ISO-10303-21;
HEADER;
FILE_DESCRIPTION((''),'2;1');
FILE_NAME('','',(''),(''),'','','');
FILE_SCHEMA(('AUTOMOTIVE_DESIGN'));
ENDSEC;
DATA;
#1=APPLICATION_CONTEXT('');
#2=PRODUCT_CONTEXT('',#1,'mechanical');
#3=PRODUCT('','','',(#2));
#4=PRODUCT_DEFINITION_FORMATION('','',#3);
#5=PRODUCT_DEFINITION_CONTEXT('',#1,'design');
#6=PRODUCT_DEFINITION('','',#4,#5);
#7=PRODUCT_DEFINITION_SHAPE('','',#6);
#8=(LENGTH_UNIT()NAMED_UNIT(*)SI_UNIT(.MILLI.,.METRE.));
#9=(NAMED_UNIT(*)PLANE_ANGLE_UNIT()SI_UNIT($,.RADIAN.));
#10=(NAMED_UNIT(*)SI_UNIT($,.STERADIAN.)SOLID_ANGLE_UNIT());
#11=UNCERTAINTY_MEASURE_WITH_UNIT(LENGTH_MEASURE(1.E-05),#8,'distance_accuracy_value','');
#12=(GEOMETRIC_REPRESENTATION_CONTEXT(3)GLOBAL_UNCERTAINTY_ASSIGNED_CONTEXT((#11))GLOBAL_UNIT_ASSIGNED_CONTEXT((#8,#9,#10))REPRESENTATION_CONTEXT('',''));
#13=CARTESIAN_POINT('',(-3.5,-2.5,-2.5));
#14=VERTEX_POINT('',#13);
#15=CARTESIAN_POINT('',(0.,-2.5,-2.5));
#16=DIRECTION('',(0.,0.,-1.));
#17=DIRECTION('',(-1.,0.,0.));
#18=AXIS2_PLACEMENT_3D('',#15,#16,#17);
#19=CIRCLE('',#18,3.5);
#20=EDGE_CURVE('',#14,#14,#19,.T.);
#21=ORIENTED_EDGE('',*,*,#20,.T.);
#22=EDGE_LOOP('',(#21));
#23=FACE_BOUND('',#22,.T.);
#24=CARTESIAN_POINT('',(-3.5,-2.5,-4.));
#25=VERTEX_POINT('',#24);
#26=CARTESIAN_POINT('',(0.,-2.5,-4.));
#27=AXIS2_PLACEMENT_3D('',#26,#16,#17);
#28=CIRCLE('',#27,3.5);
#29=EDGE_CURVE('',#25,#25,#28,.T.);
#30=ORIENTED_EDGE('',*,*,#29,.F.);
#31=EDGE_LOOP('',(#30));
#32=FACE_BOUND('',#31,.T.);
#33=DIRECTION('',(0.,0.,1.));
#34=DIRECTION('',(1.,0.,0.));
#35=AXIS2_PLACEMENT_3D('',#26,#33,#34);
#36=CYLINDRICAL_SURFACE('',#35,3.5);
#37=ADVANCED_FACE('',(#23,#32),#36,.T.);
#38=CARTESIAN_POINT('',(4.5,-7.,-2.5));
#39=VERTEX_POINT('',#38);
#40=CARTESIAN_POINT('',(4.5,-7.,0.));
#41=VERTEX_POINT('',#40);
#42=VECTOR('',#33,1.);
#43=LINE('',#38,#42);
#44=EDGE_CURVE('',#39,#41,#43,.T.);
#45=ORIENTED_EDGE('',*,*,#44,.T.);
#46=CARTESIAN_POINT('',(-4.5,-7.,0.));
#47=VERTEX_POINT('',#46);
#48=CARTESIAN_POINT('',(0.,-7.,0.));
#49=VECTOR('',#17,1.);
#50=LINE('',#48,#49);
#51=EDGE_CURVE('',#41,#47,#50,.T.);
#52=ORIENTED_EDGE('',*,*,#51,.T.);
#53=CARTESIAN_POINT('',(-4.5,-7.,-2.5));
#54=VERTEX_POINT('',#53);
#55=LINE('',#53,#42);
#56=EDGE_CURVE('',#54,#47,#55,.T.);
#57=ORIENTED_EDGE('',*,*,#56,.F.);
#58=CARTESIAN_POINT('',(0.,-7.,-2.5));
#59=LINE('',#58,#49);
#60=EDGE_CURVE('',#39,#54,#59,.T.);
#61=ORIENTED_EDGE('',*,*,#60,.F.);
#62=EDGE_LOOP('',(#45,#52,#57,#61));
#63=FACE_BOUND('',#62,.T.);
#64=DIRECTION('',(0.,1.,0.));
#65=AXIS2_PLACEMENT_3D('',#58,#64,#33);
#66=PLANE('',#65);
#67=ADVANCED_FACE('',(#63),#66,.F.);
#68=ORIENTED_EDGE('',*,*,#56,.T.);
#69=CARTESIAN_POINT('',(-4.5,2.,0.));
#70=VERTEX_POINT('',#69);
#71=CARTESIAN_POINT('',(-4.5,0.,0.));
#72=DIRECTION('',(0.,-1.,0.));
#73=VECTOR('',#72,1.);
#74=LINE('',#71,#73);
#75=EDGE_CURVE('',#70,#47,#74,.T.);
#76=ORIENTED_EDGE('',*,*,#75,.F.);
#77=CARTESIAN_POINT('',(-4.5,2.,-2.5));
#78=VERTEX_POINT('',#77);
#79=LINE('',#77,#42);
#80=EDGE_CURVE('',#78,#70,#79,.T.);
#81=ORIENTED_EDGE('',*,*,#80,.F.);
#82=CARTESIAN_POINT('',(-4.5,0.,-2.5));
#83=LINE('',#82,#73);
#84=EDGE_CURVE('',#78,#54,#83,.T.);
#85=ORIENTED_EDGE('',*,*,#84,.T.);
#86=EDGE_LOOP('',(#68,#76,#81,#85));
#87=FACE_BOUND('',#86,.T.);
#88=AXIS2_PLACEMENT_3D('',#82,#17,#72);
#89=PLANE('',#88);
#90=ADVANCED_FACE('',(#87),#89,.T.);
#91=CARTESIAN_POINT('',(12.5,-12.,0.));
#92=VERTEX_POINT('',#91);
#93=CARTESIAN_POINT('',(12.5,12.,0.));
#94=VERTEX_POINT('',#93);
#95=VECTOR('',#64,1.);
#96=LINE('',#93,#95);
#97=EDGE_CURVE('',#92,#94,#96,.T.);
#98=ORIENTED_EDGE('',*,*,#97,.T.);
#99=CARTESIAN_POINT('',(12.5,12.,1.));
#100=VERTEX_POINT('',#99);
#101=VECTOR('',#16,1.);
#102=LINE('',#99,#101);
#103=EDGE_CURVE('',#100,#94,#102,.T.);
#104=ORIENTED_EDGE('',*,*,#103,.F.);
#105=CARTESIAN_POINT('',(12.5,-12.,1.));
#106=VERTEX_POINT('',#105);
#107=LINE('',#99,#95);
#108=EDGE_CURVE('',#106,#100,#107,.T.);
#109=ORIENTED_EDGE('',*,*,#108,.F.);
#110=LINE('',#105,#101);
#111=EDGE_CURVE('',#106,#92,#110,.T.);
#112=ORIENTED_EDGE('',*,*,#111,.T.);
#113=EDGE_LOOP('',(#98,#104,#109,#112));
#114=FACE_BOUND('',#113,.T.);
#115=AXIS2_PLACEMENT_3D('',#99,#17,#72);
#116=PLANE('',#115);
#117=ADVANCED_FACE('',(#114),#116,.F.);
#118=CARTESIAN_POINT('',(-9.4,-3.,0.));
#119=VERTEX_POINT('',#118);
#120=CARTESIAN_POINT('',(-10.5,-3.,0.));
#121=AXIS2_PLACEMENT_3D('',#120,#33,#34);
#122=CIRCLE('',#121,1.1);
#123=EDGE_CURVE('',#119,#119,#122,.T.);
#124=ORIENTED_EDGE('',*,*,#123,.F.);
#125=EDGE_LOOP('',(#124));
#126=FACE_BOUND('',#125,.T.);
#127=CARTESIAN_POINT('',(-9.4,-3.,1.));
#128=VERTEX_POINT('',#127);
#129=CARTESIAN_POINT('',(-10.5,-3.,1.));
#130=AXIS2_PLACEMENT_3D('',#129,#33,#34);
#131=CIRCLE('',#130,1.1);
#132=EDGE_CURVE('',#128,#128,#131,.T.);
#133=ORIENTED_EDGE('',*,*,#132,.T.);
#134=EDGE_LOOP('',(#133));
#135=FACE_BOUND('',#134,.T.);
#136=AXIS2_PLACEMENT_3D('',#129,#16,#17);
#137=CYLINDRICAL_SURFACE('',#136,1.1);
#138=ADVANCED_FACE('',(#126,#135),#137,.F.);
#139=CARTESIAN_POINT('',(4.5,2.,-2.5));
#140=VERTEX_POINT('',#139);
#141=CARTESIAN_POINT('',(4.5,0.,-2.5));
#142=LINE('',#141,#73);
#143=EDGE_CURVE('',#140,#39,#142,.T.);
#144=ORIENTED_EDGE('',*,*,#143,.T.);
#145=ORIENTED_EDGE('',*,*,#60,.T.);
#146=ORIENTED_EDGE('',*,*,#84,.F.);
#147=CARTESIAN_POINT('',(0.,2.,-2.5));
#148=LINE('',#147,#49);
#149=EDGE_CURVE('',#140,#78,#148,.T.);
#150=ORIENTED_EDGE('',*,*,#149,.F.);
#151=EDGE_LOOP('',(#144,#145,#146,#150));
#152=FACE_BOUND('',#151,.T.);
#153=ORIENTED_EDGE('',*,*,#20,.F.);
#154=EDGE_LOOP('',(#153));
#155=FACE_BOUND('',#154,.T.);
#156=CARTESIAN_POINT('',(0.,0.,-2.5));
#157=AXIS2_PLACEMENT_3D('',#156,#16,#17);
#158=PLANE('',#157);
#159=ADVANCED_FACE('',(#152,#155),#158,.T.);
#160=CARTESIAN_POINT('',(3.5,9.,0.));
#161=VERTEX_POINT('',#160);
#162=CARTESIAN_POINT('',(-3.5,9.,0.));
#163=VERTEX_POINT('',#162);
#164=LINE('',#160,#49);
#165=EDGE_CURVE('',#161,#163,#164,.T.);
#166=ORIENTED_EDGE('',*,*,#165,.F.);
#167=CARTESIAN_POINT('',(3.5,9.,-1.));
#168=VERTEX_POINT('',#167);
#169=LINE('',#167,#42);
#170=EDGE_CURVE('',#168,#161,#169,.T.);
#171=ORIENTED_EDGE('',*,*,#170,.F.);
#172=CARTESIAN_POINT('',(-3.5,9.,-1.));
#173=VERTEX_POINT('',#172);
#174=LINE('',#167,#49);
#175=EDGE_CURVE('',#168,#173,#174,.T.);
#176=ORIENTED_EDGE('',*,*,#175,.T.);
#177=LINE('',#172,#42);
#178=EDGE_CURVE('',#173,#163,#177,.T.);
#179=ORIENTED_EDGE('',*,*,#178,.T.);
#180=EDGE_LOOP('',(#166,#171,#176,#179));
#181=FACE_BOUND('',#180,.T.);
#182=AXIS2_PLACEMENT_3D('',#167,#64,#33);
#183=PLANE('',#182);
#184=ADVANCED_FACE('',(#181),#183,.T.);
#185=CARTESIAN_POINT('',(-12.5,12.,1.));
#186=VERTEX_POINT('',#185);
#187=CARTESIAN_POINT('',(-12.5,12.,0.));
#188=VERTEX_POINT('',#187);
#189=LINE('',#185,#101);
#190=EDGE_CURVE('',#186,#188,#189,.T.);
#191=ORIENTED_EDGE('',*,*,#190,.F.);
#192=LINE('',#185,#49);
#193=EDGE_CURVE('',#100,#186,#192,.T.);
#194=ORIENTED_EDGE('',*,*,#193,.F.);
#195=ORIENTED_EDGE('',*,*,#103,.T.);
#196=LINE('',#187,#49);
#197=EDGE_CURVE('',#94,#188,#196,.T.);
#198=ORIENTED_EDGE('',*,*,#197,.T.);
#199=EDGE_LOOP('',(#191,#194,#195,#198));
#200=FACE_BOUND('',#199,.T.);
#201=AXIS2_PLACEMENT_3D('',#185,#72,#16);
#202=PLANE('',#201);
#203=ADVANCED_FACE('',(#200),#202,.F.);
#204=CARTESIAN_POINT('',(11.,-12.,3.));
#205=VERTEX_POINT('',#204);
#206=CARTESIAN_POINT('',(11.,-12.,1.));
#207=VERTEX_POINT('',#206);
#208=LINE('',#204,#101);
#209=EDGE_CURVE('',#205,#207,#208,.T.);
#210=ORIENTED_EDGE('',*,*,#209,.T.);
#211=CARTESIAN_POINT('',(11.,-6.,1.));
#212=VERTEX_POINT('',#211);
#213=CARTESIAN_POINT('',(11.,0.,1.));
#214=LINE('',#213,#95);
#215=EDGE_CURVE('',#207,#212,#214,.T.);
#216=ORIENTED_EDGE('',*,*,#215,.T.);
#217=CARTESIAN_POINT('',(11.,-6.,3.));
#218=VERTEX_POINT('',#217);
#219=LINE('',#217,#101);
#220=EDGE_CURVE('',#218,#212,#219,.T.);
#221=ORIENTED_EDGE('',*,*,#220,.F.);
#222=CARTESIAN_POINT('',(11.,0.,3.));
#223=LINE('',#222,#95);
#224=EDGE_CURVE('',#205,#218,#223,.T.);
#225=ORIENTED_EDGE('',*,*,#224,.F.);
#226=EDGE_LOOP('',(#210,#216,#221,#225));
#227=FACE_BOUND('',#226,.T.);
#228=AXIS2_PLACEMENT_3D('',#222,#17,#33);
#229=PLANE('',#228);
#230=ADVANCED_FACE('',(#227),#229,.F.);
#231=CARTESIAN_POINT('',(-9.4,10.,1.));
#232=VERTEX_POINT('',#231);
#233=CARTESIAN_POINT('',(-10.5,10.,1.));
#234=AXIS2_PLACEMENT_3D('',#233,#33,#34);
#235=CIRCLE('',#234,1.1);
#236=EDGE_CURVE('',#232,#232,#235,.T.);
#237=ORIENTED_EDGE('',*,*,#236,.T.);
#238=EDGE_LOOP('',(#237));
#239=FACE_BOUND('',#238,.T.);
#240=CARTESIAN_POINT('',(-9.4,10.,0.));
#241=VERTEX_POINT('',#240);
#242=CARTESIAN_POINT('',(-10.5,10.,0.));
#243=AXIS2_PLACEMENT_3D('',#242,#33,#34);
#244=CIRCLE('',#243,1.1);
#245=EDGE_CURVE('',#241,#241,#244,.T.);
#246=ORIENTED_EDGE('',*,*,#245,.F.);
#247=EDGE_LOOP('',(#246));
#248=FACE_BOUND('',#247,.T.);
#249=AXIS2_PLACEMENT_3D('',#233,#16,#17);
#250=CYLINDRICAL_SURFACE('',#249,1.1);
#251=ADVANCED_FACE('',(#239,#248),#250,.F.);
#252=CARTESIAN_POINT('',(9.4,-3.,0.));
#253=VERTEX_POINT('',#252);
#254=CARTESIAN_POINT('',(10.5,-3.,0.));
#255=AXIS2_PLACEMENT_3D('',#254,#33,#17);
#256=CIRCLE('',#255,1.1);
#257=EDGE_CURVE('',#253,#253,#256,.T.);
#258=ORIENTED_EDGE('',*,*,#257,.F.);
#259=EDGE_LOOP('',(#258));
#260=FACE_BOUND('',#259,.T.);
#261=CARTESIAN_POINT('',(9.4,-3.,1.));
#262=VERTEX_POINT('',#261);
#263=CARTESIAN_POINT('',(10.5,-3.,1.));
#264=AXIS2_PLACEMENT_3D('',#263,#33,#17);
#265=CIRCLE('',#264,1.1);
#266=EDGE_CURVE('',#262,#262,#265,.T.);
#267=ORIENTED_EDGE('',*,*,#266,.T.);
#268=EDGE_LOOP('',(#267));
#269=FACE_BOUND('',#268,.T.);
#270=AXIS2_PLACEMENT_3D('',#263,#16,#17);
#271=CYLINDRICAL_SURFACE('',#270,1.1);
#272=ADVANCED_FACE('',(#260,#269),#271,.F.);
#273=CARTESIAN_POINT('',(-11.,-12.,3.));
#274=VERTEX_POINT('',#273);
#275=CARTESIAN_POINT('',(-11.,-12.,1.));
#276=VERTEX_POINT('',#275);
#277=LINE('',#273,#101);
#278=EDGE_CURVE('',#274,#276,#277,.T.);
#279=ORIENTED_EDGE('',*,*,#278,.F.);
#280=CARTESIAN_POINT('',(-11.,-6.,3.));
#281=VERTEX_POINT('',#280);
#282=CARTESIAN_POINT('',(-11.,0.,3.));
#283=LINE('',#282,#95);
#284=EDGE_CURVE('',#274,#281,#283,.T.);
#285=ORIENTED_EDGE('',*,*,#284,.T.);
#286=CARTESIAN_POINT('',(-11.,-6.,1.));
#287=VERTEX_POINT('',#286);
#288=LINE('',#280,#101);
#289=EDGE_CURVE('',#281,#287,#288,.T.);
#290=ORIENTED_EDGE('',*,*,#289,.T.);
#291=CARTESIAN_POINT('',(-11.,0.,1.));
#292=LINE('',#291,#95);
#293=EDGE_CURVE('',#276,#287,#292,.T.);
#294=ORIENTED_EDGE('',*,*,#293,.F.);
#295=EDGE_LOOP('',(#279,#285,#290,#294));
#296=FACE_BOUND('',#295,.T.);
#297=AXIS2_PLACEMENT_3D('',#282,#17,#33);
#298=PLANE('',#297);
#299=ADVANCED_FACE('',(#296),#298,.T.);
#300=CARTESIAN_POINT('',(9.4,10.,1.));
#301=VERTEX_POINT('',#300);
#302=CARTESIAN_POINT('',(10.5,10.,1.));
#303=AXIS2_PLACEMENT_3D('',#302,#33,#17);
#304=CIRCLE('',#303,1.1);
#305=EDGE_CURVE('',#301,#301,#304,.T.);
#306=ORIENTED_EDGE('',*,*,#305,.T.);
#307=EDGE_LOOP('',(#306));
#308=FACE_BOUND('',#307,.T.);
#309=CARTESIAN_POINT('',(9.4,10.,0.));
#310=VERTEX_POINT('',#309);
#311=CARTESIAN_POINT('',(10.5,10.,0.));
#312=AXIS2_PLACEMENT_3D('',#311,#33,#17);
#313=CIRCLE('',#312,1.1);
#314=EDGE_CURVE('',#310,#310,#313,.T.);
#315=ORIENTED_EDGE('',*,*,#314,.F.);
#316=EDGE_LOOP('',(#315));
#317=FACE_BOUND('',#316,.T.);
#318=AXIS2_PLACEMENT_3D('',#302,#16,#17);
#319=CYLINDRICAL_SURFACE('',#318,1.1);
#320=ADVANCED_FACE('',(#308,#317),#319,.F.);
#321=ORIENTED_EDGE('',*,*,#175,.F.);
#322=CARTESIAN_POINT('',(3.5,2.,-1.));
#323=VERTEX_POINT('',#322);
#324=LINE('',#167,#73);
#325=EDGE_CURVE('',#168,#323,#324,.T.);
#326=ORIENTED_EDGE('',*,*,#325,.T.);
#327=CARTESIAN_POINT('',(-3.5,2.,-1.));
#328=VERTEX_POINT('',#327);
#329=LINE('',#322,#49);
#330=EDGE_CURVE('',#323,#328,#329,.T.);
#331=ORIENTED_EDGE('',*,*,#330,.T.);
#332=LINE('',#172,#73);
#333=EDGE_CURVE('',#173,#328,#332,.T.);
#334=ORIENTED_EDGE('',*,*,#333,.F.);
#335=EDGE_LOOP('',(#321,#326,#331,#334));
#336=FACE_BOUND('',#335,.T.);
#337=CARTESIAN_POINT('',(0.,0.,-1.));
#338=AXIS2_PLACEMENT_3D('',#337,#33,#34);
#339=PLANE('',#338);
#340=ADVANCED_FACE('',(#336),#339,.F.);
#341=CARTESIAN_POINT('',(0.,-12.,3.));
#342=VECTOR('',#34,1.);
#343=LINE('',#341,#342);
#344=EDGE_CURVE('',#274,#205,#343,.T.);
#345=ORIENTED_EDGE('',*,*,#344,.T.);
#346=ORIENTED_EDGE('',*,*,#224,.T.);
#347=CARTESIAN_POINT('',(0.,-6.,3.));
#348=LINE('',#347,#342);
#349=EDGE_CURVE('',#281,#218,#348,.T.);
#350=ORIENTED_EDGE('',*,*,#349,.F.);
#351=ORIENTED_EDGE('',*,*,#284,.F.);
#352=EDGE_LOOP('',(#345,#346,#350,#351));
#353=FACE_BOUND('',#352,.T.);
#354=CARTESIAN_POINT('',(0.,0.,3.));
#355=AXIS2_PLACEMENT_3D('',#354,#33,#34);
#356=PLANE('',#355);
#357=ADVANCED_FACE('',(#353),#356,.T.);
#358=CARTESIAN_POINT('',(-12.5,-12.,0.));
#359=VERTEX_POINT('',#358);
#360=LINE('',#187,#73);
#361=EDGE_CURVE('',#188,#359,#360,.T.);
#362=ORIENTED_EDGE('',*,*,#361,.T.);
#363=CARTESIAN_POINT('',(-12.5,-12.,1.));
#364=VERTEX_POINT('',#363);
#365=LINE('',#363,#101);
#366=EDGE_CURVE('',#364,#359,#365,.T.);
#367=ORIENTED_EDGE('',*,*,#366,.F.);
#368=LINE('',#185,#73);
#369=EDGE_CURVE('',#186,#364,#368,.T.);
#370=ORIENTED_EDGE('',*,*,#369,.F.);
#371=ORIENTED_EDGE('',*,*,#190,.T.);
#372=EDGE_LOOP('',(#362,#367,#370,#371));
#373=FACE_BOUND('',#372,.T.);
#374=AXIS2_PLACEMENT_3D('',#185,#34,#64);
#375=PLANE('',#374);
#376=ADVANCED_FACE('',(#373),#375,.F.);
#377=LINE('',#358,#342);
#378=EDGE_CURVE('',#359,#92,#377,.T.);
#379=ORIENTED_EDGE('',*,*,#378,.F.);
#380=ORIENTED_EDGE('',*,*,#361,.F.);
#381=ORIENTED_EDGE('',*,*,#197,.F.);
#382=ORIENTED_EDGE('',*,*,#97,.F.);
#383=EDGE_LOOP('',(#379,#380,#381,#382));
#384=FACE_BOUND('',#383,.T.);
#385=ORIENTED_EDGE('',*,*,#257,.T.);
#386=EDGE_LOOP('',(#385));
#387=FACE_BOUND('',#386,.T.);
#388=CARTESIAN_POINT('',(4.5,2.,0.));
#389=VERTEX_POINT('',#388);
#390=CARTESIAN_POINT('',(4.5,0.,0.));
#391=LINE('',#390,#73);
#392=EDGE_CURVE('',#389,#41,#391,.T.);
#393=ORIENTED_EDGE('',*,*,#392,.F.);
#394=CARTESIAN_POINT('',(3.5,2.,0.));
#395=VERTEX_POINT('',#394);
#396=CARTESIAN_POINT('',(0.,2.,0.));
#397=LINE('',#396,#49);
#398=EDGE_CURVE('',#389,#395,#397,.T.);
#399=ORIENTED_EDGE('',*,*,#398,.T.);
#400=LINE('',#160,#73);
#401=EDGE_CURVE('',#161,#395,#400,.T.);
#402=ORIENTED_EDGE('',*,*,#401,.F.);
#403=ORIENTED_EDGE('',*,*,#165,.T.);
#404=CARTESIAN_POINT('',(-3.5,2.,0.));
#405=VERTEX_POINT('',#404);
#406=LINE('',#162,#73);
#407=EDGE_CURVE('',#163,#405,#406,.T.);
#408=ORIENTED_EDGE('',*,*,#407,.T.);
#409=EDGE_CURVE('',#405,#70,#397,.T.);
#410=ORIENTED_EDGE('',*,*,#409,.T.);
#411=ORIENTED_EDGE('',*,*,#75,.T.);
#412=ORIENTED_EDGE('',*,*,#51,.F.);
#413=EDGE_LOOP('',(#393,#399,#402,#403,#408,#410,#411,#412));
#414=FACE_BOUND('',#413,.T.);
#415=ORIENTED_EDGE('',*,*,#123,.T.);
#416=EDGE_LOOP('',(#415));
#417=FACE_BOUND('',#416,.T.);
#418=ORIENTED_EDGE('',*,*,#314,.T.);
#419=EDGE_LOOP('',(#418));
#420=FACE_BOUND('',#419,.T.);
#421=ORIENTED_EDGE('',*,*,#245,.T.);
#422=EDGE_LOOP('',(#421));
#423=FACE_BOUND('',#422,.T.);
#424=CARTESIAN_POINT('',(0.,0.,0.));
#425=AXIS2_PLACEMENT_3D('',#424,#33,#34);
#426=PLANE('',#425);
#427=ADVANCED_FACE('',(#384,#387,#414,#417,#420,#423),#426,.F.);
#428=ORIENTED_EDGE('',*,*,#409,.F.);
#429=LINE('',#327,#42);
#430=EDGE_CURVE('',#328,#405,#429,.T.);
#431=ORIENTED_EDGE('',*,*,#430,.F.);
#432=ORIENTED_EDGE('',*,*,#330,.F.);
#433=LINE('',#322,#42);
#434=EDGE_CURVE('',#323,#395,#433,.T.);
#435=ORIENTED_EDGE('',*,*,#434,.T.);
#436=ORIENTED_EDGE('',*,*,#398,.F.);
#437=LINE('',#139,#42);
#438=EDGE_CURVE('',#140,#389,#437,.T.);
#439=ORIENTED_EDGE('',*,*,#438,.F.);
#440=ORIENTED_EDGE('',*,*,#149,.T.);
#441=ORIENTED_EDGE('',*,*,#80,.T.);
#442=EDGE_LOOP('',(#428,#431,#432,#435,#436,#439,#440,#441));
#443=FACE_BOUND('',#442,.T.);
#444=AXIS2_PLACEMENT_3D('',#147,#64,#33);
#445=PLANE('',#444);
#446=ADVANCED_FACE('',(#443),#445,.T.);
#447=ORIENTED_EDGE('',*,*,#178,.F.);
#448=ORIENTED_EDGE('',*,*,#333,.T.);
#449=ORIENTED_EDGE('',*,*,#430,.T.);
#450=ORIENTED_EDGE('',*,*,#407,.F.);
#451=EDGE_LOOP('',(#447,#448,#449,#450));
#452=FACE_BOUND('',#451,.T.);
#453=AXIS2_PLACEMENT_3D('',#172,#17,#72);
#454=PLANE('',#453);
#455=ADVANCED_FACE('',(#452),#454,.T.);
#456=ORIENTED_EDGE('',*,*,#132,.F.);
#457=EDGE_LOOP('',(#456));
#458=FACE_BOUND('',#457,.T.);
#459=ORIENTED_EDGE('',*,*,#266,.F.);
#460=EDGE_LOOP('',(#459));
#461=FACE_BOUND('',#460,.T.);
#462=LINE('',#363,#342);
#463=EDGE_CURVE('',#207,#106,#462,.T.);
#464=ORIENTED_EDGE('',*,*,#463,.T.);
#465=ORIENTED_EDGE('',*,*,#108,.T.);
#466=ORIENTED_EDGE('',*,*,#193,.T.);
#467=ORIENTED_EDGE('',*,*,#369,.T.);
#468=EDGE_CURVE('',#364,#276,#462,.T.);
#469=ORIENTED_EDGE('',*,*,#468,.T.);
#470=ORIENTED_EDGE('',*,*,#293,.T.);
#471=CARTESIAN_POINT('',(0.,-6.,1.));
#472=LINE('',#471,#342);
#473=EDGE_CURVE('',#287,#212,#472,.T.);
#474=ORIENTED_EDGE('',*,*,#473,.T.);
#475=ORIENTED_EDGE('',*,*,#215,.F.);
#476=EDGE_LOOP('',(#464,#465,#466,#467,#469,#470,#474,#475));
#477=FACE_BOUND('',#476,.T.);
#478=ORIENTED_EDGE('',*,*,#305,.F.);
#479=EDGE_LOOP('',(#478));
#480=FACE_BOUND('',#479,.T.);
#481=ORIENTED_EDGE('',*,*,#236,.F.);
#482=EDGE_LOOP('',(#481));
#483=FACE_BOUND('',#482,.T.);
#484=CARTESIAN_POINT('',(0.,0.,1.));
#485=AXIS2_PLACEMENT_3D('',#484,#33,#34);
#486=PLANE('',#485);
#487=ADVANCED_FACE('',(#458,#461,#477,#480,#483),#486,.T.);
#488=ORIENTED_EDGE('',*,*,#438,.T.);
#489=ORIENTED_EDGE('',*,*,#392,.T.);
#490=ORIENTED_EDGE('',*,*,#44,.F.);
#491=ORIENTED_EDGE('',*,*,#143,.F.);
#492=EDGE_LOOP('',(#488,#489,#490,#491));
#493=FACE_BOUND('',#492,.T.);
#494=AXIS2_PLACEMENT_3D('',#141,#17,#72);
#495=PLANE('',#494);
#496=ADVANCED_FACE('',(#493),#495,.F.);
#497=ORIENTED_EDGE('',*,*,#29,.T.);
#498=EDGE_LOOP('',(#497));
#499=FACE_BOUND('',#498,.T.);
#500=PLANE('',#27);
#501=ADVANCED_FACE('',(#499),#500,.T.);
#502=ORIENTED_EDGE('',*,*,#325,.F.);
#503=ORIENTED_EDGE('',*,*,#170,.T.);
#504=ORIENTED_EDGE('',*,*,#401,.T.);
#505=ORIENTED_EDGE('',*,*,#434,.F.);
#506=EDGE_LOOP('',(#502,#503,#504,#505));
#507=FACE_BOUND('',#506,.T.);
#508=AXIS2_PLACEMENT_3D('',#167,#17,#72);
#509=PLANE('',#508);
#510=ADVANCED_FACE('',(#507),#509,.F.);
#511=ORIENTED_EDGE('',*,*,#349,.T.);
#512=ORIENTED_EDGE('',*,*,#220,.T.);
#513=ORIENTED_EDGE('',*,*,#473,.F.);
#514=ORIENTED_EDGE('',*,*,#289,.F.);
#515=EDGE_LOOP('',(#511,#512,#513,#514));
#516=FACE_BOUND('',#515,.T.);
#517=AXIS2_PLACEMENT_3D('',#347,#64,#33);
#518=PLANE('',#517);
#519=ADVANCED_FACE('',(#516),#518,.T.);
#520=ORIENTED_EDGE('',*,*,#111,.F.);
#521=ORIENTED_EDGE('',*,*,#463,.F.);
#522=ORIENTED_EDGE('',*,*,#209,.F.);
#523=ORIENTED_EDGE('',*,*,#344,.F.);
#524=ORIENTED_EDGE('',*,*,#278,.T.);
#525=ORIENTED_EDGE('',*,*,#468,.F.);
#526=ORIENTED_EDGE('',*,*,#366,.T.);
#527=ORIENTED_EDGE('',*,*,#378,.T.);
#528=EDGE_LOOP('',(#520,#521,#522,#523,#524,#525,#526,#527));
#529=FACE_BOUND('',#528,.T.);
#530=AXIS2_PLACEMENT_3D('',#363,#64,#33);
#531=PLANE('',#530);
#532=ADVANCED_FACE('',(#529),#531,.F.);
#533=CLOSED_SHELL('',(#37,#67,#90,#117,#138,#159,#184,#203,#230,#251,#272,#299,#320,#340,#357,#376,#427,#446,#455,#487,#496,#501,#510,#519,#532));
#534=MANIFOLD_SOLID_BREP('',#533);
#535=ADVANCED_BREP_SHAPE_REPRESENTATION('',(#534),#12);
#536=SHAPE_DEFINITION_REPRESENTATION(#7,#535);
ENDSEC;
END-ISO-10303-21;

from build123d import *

# Parameters (mm, degrees)
SKETCH_1_W      = 25
SKETCH_1_H      = 24
SKETCH_1_R      = 1.1
EXTRUDE_1_DEPTH = 1
SKETCH_2_W      = 22
SKETCH_2_H      = 6
EXTRUDE_2_DEPTH = 2
SKETCH_3_W      = 9
SKETCH_3_H      = 9
EXTRUDE_3_DEPTH = 2.5
SKETCH_4_R      = 3.5
EXTRUDE_4_DEPTH = 1.5
SKETCH_5_W      = 7
SKETCH_5_H      = 7
EXTRUDE_5_DEPTH = 1


with BuildPart() as part:
    # 草图1 → 凸台-拉伸1 (new body)
    with BuildSketch(Plane.XY):
        Rectangle(SKETCH_1_W, SKETCH_1_H)
        with Locations((-10.5, 10)):
            Circle(SKETCH_1_R, mode=Mode.SUBTRACT)
        with Locations((-10.5, -3)):
            Circle(SKETCH_1_R, mode=Mode.SUBTRACT)
        with Locations((10.5, -3)):
            Circle(SKETCH_1_R, mode=Mode.SUBTRACT)
        with Locations((10.5, 10)):
            Circle(SKETCH_1_R, mode=Mode.SUBTRACT)
    extrude(amount=EXTRUDE_1_DEPTH)

    # 草图2 → 凸台-拉伸2 (add)
    with BuildSketch(Plane.XY.offset(1)):
        with Locations((0, -9)):
            Rectangle(SKETCH_2_W, SKETCH_2_H)
    extrude(amount=EXTRUDE_2_DEPTH)

    # 草图3 → 凸台-拉伸3 (add)
    with BuildSketch(Plane(origin=(0, 0, 0), x_dir=(-1, 0, 0), z_dir=(0, 0, -1))):
        with Locations((0, -2.5)):
            Rectangle(SKETCH_3_W, SKETCH_3_H)
    extrude(amount=EXTRUDE_3_DEPTH)

    # 草图4 → 凸台-拉伸4 (add)
    with BuildSketch(Plane(origin=(0, 0, -2.5), x_dir=(-1, 0, 0), z_dir=(0, 0, -1))):
        with Locations((0, -2.5)):
            Circle(SKETCH_4_R)
    extrude(amount=EXTRUDE_4_DEPTH)

    # 草图5 → 凸台-拉伸5 (add)
    with BuildSketch(Plane(origin=(0, 0, 0), x_dir=(-1, 0, 0), z_dir=(0, 0, -1))):
        with Locations((0, 5.5)):
            Rectangle(SKETCH_5_W, SKETCH_5_H)
    extrude(amount=EXTRUDE_5_DEPTH)


solid = part.part
